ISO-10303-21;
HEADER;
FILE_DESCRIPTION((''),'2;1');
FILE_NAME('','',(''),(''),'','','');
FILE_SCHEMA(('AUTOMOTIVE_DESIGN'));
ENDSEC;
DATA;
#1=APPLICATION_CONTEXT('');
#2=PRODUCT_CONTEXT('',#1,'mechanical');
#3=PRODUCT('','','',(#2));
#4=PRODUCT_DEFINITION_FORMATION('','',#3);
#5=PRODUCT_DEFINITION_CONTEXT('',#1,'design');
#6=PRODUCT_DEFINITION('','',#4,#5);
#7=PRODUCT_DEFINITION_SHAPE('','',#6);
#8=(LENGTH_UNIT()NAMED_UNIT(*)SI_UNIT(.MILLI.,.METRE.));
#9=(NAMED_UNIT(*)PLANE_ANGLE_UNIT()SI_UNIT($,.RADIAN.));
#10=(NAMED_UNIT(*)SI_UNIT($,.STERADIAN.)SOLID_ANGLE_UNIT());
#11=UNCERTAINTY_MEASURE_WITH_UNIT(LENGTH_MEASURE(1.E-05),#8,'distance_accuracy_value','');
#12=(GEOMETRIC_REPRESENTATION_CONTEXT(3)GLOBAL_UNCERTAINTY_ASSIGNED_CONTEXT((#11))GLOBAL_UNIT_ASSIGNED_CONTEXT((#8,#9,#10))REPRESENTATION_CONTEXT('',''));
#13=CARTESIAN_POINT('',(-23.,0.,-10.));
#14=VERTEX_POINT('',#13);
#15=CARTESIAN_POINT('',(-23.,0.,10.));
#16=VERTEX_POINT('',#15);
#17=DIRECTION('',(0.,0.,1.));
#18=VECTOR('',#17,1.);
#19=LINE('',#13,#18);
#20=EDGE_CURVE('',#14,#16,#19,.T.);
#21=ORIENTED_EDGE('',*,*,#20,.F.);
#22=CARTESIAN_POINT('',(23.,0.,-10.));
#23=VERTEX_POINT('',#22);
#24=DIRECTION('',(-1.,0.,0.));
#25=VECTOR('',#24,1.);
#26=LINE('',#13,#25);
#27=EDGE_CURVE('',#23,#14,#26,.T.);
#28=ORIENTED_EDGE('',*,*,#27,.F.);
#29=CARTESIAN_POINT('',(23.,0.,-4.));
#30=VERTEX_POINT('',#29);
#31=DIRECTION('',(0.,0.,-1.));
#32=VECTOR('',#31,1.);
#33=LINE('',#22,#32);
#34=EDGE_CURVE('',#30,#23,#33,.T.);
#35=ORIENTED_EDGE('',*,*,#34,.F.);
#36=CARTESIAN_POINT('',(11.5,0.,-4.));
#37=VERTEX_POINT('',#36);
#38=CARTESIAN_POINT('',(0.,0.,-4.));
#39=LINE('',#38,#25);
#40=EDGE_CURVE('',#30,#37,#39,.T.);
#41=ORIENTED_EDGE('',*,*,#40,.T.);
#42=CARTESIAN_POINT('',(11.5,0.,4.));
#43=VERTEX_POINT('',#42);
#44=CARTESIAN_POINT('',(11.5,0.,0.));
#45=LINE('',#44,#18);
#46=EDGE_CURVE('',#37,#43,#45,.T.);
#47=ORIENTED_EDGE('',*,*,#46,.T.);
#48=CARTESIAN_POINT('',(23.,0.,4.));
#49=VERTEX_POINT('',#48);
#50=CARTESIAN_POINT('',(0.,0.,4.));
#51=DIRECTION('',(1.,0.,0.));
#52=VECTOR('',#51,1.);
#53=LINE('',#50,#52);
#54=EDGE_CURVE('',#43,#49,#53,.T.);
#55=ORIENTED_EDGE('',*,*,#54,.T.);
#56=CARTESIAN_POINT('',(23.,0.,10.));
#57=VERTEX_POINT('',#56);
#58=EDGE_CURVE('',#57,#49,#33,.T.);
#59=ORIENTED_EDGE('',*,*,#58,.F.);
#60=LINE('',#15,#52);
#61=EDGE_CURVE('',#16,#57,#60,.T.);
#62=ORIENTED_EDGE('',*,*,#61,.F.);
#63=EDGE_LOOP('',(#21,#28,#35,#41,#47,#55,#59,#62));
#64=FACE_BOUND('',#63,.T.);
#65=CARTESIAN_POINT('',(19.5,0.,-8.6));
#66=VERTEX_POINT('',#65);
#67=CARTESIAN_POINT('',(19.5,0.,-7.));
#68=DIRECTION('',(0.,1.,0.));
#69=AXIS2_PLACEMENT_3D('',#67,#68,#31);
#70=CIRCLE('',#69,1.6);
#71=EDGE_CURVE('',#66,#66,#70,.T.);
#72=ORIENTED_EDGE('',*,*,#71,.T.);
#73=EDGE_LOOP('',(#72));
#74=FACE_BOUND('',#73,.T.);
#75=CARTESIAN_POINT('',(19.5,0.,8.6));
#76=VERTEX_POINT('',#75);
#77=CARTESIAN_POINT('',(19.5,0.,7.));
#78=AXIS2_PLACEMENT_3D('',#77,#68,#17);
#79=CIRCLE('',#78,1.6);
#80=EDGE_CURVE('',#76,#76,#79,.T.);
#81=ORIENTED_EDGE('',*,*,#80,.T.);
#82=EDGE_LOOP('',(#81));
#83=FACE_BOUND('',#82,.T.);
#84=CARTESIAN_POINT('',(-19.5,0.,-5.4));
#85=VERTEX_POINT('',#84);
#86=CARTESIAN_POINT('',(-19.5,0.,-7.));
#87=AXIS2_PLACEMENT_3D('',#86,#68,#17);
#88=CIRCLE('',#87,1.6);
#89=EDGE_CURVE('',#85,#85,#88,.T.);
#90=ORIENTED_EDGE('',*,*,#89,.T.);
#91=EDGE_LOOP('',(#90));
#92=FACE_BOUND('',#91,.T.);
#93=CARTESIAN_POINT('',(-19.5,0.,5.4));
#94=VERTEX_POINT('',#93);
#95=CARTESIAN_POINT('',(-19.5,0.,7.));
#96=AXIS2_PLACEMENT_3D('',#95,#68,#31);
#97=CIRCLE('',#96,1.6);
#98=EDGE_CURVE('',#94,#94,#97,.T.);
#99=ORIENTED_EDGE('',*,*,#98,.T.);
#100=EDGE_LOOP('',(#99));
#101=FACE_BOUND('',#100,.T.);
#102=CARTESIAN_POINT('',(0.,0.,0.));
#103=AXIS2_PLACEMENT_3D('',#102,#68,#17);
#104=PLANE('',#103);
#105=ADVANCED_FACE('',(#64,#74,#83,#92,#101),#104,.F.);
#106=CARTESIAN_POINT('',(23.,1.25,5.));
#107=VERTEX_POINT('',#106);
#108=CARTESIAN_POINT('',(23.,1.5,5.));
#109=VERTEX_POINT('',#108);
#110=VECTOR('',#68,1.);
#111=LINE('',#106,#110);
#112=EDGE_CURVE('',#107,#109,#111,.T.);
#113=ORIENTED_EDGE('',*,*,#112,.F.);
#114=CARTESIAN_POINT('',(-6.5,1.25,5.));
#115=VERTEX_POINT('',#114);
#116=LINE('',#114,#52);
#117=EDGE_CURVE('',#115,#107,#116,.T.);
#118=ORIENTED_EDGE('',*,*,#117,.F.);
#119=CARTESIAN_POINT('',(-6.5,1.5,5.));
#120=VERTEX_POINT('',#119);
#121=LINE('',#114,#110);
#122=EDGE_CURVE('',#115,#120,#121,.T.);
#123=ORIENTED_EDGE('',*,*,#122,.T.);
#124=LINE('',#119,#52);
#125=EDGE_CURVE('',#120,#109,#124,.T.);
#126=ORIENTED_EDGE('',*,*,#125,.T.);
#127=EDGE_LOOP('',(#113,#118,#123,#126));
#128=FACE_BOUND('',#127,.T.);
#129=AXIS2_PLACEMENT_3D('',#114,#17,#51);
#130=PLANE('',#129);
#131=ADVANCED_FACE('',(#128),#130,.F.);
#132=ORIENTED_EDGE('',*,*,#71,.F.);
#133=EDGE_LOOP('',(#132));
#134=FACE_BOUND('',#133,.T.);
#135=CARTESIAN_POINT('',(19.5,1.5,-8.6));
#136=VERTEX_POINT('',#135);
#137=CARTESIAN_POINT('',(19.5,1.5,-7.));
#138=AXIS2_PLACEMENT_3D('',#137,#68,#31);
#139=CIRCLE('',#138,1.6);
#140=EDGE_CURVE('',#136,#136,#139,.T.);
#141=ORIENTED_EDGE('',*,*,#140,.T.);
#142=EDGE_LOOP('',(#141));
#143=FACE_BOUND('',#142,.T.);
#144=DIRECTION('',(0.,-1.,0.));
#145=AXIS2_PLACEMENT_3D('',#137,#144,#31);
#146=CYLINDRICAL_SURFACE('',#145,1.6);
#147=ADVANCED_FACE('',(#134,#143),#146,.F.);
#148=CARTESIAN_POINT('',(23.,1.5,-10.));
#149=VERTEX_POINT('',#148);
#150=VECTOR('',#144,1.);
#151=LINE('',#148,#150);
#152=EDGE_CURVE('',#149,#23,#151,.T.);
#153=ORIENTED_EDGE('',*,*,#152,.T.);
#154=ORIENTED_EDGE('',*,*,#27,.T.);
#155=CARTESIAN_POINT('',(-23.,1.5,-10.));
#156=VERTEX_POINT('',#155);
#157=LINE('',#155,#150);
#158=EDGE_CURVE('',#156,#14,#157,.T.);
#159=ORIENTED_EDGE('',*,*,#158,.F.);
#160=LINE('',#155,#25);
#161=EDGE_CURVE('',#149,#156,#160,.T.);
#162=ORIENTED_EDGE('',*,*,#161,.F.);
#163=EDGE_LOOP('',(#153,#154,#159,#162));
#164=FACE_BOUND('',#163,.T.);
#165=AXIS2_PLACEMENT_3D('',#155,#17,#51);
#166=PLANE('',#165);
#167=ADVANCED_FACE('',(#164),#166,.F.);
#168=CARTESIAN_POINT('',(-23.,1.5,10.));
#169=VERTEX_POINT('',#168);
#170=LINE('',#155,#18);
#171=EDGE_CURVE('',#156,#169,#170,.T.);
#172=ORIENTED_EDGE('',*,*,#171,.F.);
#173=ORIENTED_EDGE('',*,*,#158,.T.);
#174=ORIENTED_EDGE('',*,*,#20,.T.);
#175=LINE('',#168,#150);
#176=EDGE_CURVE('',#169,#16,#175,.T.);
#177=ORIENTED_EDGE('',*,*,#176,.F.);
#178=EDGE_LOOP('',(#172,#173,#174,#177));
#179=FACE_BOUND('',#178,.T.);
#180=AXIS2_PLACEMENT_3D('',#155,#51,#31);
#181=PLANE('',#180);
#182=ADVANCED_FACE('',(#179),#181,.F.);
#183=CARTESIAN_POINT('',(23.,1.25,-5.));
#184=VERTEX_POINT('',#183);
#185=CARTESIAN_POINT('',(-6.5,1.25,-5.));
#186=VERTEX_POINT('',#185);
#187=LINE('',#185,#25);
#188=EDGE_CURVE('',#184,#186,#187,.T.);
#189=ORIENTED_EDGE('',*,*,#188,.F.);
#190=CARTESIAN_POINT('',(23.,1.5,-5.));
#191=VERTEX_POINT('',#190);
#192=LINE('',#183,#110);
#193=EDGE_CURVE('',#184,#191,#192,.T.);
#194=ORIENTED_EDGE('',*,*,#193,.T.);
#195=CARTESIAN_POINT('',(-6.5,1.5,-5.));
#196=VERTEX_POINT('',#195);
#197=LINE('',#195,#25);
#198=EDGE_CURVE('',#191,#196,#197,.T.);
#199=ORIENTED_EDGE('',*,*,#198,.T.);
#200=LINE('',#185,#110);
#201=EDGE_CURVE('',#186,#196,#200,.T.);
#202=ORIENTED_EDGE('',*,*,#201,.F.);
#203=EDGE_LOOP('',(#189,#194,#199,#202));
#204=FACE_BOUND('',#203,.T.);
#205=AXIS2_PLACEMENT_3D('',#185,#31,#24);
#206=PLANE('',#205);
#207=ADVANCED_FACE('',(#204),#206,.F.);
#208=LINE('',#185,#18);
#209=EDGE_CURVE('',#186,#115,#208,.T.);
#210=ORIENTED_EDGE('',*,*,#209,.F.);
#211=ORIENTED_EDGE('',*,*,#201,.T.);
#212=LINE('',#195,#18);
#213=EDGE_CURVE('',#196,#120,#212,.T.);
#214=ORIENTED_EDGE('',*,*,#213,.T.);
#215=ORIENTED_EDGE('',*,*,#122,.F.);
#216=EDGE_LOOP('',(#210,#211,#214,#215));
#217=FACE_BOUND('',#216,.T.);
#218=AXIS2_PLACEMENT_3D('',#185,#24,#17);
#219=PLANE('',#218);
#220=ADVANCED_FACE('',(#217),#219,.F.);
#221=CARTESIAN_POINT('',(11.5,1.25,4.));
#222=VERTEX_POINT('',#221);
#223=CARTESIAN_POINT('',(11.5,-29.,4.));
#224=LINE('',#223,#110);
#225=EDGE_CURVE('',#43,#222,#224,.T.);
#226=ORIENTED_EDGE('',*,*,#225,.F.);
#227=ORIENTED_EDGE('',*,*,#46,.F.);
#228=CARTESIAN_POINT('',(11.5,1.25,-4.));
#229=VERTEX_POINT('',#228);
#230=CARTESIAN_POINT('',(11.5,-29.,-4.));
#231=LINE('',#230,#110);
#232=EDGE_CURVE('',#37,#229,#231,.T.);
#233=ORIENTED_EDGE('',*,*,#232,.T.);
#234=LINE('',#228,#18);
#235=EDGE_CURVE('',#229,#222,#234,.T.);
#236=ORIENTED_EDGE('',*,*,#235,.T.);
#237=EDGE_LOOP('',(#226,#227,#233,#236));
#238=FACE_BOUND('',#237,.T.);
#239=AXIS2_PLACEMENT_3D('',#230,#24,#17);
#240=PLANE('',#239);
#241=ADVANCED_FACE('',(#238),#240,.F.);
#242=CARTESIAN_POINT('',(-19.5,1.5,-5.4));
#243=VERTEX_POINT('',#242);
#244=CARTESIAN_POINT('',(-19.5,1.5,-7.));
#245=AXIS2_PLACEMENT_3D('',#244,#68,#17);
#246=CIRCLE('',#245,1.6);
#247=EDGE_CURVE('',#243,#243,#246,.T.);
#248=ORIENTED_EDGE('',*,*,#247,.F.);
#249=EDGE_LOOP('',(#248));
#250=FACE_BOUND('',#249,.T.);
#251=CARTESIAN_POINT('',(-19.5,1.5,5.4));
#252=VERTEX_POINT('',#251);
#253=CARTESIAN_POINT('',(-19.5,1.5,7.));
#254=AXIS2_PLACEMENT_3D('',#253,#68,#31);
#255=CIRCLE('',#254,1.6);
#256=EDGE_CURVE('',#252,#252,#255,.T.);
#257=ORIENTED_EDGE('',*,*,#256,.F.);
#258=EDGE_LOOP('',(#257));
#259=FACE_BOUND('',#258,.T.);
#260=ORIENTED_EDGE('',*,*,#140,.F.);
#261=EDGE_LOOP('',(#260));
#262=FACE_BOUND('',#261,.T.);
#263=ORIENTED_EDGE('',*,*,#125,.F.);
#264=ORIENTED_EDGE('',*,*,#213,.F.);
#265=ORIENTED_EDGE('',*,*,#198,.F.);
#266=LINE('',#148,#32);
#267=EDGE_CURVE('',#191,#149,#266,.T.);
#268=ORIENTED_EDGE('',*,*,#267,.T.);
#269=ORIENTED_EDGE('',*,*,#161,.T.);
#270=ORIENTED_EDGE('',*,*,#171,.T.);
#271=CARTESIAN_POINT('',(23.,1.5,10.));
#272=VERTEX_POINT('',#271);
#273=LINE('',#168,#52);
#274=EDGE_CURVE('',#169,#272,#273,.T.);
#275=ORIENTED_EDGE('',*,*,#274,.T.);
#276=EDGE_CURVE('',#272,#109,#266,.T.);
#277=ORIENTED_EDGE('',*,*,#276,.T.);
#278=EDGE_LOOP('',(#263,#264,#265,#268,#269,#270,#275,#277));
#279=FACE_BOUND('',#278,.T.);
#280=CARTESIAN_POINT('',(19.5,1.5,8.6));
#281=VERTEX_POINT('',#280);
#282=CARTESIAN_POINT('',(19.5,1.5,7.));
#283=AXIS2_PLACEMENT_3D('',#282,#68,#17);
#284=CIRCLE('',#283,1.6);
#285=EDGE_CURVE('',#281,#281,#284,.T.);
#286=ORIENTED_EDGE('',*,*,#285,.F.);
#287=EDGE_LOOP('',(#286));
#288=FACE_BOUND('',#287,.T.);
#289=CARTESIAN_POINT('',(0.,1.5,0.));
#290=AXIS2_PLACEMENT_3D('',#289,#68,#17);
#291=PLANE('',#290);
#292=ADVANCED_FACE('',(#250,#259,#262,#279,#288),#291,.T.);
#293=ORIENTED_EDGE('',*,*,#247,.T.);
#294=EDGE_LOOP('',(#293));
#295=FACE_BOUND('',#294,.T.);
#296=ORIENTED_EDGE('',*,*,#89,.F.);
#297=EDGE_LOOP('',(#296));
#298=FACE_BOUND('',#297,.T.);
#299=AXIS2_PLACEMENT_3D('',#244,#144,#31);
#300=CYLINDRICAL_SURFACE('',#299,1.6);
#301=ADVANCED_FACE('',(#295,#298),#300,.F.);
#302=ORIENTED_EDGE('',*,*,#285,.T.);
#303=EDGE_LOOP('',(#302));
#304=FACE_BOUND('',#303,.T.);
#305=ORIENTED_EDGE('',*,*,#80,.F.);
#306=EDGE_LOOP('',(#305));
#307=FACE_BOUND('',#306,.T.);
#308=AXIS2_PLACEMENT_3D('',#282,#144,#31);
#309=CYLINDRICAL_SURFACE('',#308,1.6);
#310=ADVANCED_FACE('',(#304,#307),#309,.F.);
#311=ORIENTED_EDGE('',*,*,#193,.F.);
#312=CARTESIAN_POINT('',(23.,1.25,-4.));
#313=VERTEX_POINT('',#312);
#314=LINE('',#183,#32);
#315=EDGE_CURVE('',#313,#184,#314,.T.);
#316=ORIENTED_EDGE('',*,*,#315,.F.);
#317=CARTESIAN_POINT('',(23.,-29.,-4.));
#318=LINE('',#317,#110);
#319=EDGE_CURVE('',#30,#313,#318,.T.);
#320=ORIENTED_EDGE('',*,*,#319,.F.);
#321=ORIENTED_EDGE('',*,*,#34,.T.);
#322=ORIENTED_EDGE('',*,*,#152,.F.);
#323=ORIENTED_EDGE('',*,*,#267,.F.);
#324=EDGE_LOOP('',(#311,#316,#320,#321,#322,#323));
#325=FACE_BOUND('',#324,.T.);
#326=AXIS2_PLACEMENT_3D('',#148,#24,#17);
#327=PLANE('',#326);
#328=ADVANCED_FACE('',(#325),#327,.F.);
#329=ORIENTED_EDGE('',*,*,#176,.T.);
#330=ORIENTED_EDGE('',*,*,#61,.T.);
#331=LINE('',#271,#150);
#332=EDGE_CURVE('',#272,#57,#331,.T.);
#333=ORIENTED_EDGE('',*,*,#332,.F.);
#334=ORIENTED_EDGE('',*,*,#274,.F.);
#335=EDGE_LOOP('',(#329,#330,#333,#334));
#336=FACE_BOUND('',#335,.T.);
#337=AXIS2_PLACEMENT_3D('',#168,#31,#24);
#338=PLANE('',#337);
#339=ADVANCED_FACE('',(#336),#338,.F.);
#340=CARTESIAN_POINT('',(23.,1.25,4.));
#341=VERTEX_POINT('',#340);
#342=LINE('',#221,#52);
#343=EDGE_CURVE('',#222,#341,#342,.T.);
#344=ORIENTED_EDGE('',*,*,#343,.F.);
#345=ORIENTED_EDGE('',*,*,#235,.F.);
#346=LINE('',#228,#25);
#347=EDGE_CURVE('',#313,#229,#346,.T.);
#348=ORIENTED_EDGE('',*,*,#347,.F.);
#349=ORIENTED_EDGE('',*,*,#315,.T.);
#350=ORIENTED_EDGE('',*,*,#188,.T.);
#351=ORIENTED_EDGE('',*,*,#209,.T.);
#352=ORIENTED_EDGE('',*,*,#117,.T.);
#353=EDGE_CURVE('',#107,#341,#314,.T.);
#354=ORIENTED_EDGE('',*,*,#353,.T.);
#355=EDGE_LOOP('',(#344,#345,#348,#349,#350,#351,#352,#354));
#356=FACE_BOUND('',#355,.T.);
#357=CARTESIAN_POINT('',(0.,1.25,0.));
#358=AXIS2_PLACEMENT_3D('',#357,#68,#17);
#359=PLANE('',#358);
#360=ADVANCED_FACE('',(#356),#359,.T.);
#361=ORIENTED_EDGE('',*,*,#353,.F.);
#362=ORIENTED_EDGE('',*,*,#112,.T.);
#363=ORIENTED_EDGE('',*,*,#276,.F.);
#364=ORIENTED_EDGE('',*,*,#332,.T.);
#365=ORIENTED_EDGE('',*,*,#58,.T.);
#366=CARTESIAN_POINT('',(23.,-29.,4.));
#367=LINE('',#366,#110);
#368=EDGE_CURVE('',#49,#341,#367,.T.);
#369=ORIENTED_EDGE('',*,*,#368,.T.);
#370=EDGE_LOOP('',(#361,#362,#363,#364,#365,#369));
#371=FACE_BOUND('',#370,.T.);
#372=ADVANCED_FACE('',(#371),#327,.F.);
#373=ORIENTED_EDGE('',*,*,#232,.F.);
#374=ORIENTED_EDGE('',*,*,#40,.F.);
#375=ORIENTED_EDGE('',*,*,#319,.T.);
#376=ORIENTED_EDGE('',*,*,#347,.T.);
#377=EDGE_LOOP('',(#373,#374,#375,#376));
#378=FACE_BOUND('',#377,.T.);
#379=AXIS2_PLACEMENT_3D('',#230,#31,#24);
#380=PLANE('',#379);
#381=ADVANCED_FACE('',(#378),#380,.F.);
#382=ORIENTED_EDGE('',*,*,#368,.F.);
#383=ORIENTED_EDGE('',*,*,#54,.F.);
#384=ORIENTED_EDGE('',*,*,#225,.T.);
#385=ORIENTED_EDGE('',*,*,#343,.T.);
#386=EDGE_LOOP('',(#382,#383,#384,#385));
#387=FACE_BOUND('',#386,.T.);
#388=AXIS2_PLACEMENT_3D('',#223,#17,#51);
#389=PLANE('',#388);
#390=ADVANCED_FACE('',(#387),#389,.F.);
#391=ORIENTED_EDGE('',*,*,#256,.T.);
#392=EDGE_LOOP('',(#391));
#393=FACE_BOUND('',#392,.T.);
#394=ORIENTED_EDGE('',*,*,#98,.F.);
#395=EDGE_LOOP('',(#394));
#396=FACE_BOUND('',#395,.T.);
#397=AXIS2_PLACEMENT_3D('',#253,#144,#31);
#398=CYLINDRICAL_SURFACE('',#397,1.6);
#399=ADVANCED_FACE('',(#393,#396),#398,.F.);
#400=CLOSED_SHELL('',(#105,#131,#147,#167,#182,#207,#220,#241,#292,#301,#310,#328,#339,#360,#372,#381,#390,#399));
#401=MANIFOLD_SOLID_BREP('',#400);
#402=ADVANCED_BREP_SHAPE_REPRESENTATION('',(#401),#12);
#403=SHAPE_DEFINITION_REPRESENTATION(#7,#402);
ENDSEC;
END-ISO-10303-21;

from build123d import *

# Parameters (mm, degrees)
SKETCH_1_W          = 46
SKETCH_1_H          = 20
SKETCH_1_R          = 1.6
EXTRUDE_1_DEPTH     = 1.5
SKETCH_2_W          = 29.5
SKETCH_2_H          = 10
CUT_EXTRUDE_1_DEPTH = 0.25
SKETCH_3_W          = 11.5
SKETCH_3_H          = 8
CUT_EXTRUDE_2_DEPTH = 30.25


with BuildPart() as part:
    # 草图1 → 凸台-拉伸1 (new body)
    with BuildSketch(Plane(origin=(0, 0, 0), x_dir=(1, 0, 0), z_dir=(0, 1, 0))):
        Rectangle(SKETCH_1_W, SKETCH_1_H)
        with Locations(Location((-19.5, 7, 0), (0, 0, 270))):
            Circle(SKETCH_1_R, mode=Mode.SUBTRACT)
        with Locations(Location((19.5, 7, 0), (0, 0, 90))):
            Circle(SKETCH_1_R, mode=Mode.SUBTRACT)
        with Locations(Location((19.5, -7, 0), (0, 0, 270))):
            Circle(SKETCH_1_R, mode=Mode.SUBTRACT)
        with Locations(Location((-19.5, -7, 0), (0, 0, 90))):
            Circle(SKETCH_1_R, mode=Mode.SUBTRACT)
    extrude(amount=EXTRUDE_1_DEPTH)

    # 草图2 → 切除-拉伸1 (cut)
    with BuildSketch(Plane(origin=(0, 1.5, 0), x_dir=(1, 0, 0), z_dir=(0, 1, 0))):
        with Locations((8.25, 0)):
            Rectangle(SKETCH_2_W, SKETCH_2_H)
    extrude(amount=-CUT_EXTRUDE_1_DEPTH, mode=Mode.SUBTRACT)

    # 草图3 → 切除-拉伸2 (cut)
    with BuildSketch(Plane(origin=(0, 1.25, 0), x_dir=(1, 0, 0), z_dir=(0, 1, 0))):
        with Locations((17.25, 0)):
            Rectangle(SKETCH_3_W, SKETCH_3_H)
    extrude(amount=-CUT_EXTRUDE_2_DEPTH, mode=Mode.SUBTRACT)


solid = part.part
